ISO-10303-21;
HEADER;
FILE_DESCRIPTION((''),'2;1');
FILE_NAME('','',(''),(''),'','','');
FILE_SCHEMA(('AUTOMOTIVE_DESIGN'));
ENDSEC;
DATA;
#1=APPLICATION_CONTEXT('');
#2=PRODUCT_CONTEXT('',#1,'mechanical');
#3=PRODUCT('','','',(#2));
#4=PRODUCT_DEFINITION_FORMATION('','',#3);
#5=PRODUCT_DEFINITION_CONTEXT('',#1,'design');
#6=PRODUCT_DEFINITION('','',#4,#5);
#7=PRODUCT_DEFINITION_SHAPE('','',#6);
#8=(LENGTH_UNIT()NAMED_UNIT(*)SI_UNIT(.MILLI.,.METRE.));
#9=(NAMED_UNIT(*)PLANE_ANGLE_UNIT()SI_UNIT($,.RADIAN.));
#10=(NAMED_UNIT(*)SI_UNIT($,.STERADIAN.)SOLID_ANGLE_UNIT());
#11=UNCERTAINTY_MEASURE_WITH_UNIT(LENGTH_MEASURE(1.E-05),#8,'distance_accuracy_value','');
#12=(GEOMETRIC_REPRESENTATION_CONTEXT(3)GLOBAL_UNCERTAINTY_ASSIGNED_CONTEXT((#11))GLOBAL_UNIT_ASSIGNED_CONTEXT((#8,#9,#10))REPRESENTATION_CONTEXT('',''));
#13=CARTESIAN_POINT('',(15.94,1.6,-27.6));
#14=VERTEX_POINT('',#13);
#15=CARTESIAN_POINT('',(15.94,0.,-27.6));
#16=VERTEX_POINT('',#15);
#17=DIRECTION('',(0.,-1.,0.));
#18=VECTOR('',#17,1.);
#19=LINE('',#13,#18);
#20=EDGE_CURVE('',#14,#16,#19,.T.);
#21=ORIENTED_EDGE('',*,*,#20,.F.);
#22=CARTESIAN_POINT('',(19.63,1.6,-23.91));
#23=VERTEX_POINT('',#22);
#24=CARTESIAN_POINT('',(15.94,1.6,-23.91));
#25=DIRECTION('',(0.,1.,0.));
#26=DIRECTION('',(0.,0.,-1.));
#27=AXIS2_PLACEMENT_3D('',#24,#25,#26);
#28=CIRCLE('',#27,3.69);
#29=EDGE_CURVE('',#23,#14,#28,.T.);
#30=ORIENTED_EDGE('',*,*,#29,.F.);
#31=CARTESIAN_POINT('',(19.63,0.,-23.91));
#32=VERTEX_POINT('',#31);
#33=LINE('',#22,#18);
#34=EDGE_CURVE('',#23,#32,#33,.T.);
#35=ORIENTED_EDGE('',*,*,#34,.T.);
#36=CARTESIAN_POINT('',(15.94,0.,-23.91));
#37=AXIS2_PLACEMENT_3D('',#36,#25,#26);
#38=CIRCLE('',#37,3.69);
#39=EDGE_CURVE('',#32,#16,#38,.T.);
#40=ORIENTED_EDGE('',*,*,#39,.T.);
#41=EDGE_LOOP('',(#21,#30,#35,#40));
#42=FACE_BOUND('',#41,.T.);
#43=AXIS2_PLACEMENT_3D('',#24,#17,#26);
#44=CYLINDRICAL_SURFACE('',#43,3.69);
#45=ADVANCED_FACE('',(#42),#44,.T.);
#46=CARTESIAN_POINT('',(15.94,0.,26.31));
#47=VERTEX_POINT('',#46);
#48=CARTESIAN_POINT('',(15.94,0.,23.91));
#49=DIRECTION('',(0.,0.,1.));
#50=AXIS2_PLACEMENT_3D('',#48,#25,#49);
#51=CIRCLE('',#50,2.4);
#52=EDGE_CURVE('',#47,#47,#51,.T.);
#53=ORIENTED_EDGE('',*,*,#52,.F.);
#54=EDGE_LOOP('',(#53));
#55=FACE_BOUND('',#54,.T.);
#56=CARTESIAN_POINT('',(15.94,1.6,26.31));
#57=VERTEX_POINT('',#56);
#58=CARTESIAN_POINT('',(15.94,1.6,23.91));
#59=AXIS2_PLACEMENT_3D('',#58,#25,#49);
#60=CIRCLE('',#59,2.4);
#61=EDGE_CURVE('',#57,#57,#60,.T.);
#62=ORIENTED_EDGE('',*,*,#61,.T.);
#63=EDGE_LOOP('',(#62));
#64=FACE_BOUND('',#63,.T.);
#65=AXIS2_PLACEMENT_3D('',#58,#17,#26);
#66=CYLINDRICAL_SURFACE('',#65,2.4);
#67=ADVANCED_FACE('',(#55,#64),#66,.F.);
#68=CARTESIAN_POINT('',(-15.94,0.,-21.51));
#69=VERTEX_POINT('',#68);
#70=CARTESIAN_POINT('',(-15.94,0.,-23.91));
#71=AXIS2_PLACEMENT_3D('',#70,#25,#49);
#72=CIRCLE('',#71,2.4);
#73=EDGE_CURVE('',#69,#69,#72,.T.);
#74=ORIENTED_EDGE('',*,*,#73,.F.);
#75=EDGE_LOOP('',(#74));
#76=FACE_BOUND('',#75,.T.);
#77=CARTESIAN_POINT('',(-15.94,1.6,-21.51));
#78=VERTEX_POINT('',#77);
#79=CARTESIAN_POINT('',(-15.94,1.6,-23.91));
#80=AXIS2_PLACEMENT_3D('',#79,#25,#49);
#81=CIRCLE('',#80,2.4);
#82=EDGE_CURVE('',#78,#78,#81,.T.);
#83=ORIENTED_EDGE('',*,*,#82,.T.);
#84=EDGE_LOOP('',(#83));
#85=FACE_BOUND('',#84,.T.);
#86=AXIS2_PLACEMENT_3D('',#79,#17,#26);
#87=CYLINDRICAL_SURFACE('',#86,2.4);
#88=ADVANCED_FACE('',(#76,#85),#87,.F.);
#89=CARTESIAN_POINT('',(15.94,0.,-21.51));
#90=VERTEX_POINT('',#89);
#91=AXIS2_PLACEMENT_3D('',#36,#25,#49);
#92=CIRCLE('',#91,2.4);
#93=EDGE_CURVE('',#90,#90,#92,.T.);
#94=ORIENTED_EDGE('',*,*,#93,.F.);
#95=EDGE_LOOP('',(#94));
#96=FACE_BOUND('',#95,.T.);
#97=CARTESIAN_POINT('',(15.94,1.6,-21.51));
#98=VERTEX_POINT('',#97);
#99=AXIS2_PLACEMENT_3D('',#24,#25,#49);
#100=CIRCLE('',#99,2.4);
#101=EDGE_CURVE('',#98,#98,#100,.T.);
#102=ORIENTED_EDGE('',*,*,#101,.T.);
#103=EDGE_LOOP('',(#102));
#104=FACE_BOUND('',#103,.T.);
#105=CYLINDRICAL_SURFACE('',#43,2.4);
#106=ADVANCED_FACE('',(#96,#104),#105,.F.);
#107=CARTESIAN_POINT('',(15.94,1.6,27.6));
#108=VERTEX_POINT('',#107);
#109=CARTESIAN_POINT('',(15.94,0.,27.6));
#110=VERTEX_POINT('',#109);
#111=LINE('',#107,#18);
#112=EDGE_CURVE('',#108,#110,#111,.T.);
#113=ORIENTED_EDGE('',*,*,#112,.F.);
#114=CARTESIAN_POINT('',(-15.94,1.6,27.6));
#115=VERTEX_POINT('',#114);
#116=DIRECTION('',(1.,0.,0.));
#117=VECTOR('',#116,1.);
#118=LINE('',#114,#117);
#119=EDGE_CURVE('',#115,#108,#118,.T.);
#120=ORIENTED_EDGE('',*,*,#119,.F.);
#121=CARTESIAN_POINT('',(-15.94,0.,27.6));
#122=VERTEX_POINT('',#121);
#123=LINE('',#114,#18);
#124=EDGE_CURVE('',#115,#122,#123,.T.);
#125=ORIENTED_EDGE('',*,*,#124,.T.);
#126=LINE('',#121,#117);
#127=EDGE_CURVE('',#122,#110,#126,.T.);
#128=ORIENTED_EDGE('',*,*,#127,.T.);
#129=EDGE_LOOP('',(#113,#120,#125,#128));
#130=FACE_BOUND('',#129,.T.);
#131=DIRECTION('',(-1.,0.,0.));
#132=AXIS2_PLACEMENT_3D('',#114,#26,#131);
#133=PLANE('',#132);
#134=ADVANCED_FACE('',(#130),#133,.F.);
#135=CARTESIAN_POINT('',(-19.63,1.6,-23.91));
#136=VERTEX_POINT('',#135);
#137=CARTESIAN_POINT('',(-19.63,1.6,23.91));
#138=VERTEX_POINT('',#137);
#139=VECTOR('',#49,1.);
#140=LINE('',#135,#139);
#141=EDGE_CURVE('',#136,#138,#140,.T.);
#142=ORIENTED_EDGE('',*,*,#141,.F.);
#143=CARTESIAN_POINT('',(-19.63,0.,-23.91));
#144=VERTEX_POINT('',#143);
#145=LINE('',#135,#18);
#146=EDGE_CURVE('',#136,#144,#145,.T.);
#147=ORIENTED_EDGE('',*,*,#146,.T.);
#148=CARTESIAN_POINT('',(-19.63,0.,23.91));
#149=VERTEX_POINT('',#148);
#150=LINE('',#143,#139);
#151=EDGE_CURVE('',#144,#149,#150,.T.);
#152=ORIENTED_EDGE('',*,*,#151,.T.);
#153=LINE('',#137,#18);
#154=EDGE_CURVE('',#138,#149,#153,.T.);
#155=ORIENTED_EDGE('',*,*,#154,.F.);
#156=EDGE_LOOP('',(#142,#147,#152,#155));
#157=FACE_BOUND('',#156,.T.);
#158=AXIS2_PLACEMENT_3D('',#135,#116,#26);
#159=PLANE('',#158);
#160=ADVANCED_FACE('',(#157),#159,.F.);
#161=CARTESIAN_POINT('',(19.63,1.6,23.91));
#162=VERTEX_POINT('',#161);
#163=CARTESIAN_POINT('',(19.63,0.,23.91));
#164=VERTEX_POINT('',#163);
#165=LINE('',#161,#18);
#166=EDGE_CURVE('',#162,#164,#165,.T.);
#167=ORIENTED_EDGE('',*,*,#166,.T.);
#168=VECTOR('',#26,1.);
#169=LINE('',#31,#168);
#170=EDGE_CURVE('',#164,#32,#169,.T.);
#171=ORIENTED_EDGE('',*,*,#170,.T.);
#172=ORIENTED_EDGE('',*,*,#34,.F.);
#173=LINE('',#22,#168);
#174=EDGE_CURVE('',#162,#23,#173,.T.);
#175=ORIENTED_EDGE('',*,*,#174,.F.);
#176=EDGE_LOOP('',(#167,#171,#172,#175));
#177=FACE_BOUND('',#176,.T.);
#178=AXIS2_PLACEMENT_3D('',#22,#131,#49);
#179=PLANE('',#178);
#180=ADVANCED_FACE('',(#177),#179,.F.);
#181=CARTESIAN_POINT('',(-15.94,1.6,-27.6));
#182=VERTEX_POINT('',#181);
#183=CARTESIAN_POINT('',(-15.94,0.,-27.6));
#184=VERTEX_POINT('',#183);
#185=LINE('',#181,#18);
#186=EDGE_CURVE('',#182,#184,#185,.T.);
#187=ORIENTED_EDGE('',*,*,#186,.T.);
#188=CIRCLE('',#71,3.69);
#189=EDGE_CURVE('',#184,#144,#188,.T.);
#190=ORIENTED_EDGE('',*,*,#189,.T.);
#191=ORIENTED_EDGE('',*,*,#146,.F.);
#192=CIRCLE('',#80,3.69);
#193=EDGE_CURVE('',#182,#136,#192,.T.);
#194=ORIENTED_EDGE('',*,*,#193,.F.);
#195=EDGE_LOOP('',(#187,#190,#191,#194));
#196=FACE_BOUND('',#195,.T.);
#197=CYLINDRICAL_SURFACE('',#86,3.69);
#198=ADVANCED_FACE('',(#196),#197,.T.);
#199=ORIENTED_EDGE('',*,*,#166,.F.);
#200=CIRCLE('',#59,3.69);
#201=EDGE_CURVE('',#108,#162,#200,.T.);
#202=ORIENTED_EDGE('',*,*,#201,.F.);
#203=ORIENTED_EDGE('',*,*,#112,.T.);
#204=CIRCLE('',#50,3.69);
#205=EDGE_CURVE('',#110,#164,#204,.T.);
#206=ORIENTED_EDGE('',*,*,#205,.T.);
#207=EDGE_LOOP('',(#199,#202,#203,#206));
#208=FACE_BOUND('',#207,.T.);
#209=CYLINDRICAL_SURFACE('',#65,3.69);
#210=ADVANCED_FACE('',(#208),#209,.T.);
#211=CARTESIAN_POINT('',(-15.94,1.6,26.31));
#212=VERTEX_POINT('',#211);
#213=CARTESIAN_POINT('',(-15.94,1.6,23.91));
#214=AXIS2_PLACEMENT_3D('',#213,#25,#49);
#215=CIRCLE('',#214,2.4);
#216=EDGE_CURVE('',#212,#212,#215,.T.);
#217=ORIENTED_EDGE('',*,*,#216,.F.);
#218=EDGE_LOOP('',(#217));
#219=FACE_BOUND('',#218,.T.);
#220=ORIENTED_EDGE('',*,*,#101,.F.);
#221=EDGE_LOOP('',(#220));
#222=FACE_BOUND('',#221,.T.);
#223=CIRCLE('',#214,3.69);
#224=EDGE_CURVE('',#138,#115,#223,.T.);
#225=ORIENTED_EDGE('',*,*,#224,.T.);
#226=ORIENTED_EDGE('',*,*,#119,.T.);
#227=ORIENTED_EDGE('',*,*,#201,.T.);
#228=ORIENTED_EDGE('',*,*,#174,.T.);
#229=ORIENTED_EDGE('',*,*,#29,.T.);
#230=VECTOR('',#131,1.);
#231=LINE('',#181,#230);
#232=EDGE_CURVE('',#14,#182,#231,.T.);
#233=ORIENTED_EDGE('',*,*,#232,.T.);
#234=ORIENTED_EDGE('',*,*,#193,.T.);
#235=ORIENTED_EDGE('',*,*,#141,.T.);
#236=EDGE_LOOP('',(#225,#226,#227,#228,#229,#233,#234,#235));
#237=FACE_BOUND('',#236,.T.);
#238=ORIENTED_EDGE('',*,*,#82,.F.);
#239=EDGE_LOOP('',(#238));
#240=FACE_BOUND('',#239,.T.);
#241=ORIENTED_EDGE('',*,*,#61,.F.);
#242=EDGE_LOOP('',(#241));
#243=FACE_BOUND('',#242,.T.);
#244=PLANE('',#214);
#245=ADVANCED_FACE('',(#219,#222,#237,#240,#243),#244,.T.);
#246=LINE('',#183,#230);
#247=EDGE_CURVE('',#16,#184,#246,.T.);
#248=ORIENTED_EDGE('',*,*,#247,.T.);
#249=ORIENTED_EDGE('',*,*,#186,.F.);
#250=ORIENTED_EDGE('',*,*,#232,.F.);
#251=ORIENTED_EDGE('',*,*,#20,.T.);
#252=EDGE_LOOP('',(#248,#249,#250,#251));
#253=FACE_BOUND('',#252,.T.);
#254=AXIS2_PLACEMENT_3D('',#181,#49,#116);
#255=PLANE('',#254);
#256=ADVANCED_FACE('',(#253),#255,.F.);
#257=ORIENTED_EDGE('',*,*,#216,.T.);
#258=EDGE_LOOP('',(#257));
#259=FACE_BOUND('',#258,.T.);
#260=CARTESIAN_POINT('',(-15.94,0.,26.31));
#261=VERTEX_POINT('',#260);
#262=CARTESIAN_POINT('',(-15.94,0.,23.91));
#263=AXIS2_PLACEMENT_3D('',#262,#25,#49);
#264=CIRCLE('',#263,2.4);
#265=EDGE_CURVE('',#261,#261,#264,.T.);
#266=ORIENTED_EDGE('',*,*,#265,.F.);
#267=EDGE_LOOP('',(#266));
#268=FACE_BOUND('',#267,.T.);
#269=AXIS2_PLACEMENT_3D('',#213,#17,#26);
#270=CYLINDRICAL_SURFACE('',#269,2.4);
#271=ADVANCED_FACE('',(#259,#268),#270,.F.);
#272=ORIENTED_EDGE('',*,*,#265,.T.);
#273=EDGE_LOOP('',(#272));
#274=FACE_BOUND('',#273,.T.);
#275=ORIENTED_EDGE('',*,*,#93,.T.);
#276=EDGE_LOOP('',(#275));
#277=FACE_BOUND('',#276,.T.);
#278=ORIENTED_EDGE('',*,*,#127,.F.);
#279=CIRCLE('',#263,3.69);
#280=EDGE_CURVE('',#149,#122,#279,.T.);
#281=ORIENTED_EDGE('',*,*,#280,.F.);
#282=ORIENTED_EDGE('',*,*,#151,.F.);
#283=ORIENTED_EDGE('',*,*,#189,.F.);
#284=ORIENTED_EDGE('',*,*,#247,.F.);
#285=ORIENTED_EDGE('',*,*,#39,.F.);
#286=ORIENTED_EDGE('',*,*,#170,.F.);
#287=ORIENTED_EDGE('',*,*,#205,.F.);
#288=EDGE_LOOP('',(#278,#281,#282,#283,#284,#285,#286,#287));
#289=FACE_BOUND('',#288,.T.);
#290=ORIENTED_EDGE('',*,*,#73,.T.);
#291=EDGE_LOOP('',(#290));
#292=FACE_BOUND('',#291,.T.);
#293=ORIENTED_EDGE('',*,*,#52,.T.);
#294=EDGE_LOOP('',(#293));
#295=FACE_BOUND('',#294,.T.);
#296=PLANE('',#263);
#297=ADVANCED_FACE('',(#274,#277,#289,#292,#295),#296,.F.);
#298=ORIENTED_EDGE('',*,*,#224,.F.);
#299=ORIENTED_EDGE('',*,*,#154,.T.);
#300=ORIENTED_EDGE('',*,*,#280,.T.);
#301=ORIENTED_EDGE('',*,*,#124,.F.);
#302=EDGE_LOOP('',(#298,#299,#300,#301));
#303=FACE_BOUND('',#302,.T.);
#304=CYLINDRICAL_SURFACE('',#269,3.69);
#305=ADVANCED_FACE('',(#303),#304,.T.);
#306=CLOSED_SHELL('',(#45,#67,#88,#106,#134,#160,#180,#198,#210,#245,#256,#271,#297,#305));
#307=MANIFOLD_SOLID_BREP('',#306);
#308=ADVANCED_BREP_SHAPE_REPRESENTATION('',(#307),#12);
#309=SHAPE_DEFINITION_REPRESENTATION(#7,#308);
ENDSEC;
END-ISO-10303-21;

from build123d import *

# Parameters (mm, degrees)
SKETCH1_R           = 2.4
BOSS_EXTRUDE1_DEPTH = 1.6


with BuildPart() as part:
    # Sketch1 → Boss-Extrude1 (new body)
    with BuildSketch(Plane(origin=(0, 0, 0), x_dir=(1, 0, 0), z_dir=(0, 1, 0))):
        with BuildLine():
            Line((-15.94, 27.6), (15.94, 27.6))
            ThreePointArc((15.94, 27.6), (18.549224023, 26.519224023), (19.63, 23.91))
            Line((19.63, 23.91), (19.63, -23.91))
            ThreePointArc((19.63, -23.91), (18.549224023, -26.519224023), (15.94, -27.6))
            Line((15.94, -27.6), (-15.94, -27.6))
            ThreePointArc((-15.94, -27.6), (-18.549224023, -26.519224023), (-19.63, -23.91))
            Line((-19.63, -23.91), (-19.63, 23.91))
            ThreePointArc((-19.63, 23.91), (-18.549224023, 26.519224023), (-15.94, 27.6))
        make_face()
        with Locations((-15.94, 23.91)):
            Circle(SKETCH1_R, mode=Mode.SUBTRACT)
        with Locations((15.94, 23.91)):
            Circle(SKETCH1_R, mode=Mode.SUBTRACT)
        with Locations((15.94, -23.91)):
            Circle(SKETCH1_R, mode=Mode.SUBTRACT)
        with Locations((-15.94, -23.91)):
            Circle(SKETCH1_R, mode=Mode.SUBTRACT)
    extrude(amount=BOSS_EXTRUDE1_DEPTH)


solid = part.part
